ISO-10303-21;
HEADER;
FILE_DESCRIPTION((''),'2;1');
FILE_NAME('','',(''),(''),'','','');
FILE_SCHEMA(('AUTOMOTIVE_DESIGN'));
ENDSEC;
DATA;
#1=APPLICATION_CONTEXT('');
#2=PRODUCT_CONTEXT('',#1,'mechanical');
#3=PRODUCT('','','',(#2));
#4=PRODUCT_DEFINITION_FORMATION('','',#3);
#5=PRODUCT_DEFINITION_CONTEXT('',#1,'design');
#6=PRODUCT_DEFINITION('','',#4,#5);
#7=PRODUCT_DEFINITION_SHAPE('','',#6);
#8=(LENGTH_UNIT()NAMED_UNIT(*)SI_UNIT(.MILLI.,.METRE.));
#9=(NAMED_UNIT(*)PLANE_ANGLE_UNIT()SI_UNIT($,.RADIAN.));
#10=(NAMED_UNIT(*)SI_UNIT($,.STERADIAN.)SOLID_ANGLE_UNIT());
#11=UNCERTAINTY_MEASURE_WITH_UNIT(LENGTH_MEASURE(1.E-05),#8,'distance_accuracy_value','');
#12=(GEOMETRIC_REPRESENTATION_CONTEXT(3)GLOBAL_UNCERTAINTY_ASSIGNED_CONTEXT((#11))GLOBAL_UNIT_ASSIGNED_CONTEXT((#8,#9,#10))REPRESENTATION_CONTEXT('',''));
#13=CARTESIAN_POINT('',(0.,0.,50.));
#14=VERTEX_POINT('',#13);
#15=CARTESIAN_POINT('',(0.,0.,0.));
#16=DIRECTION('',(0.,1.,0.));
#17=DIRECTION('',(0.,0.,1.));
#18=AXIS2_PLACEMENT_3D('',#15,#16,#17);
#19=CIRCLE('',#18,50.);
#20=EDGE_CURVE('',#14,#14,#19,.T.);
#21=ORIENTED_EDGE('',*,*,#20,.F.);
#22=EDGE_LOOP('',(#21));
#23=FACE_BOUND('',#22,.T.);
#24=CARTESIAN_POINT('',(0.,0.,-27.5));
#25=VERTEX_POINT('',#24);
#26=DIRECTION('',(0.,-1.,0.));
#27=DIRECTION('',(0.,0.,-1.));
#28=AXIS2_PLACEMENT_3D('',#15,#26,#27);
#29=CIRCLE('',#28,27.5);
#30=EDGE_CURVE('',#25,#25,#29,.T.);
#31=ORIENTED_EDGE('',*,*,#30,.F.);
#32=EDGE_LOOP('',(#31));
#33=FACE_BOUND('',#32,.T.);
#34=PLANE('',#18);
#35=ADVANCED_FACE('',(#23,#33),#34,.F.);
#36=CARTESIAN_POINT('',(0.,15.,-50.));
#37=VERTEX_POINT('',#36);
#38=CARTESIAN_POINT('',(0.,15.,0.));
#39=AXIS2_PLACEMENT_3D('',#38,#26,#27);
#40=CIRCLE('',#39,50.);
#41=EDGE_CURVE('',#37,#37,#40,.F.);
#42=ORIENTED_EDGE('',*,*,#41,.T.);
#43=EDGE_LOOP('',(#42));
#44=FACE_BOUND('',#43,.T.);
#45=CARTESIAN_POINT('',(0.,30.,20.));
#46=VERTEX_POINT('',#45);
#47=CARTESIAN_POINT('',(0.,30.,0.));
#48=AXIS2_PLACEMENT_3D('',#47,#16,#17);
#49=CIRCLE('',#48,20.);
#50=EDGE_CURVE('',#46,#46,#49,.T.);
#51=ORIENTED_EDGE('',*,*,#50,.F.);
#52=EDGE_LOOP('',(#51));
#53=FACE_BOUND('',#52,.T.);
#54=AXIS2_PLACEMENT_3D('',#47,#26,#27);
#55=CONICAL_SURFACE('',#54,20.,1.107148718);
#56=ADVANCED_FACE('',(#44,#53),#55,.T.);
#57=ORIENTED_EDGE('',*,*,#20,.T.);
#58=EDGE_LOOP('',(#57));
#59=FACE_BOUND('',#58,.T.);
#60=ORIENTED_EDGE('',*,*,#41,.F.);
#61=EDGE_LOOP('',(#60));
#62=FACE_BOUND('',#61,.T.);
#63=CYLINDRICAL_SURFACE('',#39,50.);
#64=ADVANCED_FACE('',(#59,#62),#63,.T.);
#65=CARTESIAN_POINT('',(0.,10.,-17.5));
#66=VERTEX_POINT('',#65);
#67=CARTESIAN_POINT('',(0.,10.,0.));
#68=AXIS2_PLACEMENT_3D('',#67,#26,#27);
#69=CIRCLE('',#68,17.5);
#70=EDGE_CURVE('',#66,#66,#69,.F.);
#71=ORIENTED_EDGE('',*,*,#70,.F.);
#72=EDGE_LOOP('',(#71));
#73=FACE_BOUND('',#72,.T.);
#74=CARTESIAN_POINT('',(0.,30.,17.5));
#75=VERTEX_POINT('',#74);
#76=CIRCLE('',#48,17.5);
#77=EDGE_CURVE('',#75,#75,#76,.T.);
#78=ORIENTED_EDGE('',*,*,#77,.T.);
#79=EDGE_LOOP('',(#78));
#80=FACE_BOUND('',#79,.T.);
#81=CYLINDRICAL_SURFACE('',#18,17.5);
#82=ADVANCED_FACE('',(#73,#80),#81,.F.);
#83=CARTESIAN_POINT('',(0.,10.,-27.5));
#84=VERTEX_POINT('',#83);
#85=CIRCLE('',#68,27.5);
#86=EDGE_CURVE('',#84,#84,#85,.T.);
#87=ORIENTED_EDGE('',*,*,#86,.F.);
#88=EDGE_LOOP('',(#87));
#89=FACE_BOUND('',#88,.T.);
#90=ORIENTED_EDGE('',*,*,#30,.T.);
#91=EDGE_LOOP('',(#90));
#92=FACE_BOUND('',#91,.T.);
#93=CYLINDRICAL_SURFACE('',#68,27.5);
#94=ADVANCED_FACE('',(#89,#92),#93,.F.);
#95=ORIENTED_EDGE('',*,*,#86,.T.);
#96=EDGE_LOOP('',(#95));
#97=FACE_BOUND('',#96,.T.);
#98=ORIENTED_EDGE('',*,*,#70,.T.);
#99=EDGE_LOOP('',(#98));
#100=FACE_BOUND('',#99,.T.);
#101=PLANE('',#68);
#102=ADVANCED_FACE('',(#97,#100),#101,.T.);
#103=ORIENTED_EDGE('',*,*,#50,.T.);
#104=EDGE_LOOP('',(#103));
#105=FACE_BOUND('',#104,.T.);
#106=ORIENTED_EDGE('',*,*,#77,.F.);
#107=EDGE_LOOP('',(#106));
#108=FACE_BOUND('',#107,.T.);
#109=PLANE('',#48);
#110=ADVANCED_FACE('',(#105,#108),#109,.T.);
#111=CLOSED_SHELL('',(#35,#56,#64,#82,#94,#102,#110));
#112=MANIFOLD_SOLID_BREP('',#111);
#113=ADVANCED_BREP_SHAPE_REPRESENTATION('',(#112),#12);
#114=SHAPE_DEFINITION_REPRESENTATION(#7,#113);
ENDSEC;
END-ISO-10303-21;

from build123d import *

# Parameters (mm, degrees)
CROQUIS1_R              = 50
SALIENTE_EXTRUIR1_DEPTH = 15
CROQUIS3_R              = 20
CROQUIS4_R              = 17.5
CORTAR_EXTRUIR1_DEPTH   = 77.811457609
CROQUIS5_R              = 27.5
CORTAR_EXTRUIR2_DEPTH   = 10


with BuildPart() as part:
    # Croquis1 → Saliente-Extruir1 (new body)
    with BuildSketch(Plane(origin=(0, 0, 0), x_dir=(1, 0, 0), z_dir=(0, 1, 0))):
        with Locations(Location((0, 0, 0), (0, 0, 270))):
            Circle(CROQUIS1_R)
    extrude(amount=SALIENTE_EXTRUIR1_DEPTH)

    # Croquis3 → section 0 of recubrir1
    with BuildSketch(Plane(origin=(0, 30, 0), x_dir=(1, 0, 0), z_dir=(0, 1, 0)), mode=Mode.PRIVATE) as recubrir1_s0:
        Circle(CROQUIS3_R)
    # loft up to a face of the part (recubrir1)
    loft([recubrir1_s0.sketch, Face(Wire([part.edges().sort_by_distance((36.448431371, 15, -34.227355296))[0]]))])

    # Croquis4 → Cortar-Extruir1 (cut, through all)
    with BuildSketch(Plane(origin=(0, 30, 0), x_dir=(1, 0, 0), z_dir=(0, 1, 0))):
        with Locations(Location((0, 0, 0), (0, 0, 270))):
            Circle(CROQUIS4_R)
    extrude(amount=-CORTAR_EXTRUIR1_DEPTH, mode=Mode.SUBTRACT)

    # Croquis5 → Cortar-Extruir2 (cut)
    with BuildSketch(Plane.XZ):
        with Locations(Location((0, 0, 0), (0, 0, 270))):
            Circle(CROQUIS5_R)
    extrude(amount=-CORTAR_EXTRUIR2_DEPTH, mode=Mode.SUBTRACT)


solid = part.part
